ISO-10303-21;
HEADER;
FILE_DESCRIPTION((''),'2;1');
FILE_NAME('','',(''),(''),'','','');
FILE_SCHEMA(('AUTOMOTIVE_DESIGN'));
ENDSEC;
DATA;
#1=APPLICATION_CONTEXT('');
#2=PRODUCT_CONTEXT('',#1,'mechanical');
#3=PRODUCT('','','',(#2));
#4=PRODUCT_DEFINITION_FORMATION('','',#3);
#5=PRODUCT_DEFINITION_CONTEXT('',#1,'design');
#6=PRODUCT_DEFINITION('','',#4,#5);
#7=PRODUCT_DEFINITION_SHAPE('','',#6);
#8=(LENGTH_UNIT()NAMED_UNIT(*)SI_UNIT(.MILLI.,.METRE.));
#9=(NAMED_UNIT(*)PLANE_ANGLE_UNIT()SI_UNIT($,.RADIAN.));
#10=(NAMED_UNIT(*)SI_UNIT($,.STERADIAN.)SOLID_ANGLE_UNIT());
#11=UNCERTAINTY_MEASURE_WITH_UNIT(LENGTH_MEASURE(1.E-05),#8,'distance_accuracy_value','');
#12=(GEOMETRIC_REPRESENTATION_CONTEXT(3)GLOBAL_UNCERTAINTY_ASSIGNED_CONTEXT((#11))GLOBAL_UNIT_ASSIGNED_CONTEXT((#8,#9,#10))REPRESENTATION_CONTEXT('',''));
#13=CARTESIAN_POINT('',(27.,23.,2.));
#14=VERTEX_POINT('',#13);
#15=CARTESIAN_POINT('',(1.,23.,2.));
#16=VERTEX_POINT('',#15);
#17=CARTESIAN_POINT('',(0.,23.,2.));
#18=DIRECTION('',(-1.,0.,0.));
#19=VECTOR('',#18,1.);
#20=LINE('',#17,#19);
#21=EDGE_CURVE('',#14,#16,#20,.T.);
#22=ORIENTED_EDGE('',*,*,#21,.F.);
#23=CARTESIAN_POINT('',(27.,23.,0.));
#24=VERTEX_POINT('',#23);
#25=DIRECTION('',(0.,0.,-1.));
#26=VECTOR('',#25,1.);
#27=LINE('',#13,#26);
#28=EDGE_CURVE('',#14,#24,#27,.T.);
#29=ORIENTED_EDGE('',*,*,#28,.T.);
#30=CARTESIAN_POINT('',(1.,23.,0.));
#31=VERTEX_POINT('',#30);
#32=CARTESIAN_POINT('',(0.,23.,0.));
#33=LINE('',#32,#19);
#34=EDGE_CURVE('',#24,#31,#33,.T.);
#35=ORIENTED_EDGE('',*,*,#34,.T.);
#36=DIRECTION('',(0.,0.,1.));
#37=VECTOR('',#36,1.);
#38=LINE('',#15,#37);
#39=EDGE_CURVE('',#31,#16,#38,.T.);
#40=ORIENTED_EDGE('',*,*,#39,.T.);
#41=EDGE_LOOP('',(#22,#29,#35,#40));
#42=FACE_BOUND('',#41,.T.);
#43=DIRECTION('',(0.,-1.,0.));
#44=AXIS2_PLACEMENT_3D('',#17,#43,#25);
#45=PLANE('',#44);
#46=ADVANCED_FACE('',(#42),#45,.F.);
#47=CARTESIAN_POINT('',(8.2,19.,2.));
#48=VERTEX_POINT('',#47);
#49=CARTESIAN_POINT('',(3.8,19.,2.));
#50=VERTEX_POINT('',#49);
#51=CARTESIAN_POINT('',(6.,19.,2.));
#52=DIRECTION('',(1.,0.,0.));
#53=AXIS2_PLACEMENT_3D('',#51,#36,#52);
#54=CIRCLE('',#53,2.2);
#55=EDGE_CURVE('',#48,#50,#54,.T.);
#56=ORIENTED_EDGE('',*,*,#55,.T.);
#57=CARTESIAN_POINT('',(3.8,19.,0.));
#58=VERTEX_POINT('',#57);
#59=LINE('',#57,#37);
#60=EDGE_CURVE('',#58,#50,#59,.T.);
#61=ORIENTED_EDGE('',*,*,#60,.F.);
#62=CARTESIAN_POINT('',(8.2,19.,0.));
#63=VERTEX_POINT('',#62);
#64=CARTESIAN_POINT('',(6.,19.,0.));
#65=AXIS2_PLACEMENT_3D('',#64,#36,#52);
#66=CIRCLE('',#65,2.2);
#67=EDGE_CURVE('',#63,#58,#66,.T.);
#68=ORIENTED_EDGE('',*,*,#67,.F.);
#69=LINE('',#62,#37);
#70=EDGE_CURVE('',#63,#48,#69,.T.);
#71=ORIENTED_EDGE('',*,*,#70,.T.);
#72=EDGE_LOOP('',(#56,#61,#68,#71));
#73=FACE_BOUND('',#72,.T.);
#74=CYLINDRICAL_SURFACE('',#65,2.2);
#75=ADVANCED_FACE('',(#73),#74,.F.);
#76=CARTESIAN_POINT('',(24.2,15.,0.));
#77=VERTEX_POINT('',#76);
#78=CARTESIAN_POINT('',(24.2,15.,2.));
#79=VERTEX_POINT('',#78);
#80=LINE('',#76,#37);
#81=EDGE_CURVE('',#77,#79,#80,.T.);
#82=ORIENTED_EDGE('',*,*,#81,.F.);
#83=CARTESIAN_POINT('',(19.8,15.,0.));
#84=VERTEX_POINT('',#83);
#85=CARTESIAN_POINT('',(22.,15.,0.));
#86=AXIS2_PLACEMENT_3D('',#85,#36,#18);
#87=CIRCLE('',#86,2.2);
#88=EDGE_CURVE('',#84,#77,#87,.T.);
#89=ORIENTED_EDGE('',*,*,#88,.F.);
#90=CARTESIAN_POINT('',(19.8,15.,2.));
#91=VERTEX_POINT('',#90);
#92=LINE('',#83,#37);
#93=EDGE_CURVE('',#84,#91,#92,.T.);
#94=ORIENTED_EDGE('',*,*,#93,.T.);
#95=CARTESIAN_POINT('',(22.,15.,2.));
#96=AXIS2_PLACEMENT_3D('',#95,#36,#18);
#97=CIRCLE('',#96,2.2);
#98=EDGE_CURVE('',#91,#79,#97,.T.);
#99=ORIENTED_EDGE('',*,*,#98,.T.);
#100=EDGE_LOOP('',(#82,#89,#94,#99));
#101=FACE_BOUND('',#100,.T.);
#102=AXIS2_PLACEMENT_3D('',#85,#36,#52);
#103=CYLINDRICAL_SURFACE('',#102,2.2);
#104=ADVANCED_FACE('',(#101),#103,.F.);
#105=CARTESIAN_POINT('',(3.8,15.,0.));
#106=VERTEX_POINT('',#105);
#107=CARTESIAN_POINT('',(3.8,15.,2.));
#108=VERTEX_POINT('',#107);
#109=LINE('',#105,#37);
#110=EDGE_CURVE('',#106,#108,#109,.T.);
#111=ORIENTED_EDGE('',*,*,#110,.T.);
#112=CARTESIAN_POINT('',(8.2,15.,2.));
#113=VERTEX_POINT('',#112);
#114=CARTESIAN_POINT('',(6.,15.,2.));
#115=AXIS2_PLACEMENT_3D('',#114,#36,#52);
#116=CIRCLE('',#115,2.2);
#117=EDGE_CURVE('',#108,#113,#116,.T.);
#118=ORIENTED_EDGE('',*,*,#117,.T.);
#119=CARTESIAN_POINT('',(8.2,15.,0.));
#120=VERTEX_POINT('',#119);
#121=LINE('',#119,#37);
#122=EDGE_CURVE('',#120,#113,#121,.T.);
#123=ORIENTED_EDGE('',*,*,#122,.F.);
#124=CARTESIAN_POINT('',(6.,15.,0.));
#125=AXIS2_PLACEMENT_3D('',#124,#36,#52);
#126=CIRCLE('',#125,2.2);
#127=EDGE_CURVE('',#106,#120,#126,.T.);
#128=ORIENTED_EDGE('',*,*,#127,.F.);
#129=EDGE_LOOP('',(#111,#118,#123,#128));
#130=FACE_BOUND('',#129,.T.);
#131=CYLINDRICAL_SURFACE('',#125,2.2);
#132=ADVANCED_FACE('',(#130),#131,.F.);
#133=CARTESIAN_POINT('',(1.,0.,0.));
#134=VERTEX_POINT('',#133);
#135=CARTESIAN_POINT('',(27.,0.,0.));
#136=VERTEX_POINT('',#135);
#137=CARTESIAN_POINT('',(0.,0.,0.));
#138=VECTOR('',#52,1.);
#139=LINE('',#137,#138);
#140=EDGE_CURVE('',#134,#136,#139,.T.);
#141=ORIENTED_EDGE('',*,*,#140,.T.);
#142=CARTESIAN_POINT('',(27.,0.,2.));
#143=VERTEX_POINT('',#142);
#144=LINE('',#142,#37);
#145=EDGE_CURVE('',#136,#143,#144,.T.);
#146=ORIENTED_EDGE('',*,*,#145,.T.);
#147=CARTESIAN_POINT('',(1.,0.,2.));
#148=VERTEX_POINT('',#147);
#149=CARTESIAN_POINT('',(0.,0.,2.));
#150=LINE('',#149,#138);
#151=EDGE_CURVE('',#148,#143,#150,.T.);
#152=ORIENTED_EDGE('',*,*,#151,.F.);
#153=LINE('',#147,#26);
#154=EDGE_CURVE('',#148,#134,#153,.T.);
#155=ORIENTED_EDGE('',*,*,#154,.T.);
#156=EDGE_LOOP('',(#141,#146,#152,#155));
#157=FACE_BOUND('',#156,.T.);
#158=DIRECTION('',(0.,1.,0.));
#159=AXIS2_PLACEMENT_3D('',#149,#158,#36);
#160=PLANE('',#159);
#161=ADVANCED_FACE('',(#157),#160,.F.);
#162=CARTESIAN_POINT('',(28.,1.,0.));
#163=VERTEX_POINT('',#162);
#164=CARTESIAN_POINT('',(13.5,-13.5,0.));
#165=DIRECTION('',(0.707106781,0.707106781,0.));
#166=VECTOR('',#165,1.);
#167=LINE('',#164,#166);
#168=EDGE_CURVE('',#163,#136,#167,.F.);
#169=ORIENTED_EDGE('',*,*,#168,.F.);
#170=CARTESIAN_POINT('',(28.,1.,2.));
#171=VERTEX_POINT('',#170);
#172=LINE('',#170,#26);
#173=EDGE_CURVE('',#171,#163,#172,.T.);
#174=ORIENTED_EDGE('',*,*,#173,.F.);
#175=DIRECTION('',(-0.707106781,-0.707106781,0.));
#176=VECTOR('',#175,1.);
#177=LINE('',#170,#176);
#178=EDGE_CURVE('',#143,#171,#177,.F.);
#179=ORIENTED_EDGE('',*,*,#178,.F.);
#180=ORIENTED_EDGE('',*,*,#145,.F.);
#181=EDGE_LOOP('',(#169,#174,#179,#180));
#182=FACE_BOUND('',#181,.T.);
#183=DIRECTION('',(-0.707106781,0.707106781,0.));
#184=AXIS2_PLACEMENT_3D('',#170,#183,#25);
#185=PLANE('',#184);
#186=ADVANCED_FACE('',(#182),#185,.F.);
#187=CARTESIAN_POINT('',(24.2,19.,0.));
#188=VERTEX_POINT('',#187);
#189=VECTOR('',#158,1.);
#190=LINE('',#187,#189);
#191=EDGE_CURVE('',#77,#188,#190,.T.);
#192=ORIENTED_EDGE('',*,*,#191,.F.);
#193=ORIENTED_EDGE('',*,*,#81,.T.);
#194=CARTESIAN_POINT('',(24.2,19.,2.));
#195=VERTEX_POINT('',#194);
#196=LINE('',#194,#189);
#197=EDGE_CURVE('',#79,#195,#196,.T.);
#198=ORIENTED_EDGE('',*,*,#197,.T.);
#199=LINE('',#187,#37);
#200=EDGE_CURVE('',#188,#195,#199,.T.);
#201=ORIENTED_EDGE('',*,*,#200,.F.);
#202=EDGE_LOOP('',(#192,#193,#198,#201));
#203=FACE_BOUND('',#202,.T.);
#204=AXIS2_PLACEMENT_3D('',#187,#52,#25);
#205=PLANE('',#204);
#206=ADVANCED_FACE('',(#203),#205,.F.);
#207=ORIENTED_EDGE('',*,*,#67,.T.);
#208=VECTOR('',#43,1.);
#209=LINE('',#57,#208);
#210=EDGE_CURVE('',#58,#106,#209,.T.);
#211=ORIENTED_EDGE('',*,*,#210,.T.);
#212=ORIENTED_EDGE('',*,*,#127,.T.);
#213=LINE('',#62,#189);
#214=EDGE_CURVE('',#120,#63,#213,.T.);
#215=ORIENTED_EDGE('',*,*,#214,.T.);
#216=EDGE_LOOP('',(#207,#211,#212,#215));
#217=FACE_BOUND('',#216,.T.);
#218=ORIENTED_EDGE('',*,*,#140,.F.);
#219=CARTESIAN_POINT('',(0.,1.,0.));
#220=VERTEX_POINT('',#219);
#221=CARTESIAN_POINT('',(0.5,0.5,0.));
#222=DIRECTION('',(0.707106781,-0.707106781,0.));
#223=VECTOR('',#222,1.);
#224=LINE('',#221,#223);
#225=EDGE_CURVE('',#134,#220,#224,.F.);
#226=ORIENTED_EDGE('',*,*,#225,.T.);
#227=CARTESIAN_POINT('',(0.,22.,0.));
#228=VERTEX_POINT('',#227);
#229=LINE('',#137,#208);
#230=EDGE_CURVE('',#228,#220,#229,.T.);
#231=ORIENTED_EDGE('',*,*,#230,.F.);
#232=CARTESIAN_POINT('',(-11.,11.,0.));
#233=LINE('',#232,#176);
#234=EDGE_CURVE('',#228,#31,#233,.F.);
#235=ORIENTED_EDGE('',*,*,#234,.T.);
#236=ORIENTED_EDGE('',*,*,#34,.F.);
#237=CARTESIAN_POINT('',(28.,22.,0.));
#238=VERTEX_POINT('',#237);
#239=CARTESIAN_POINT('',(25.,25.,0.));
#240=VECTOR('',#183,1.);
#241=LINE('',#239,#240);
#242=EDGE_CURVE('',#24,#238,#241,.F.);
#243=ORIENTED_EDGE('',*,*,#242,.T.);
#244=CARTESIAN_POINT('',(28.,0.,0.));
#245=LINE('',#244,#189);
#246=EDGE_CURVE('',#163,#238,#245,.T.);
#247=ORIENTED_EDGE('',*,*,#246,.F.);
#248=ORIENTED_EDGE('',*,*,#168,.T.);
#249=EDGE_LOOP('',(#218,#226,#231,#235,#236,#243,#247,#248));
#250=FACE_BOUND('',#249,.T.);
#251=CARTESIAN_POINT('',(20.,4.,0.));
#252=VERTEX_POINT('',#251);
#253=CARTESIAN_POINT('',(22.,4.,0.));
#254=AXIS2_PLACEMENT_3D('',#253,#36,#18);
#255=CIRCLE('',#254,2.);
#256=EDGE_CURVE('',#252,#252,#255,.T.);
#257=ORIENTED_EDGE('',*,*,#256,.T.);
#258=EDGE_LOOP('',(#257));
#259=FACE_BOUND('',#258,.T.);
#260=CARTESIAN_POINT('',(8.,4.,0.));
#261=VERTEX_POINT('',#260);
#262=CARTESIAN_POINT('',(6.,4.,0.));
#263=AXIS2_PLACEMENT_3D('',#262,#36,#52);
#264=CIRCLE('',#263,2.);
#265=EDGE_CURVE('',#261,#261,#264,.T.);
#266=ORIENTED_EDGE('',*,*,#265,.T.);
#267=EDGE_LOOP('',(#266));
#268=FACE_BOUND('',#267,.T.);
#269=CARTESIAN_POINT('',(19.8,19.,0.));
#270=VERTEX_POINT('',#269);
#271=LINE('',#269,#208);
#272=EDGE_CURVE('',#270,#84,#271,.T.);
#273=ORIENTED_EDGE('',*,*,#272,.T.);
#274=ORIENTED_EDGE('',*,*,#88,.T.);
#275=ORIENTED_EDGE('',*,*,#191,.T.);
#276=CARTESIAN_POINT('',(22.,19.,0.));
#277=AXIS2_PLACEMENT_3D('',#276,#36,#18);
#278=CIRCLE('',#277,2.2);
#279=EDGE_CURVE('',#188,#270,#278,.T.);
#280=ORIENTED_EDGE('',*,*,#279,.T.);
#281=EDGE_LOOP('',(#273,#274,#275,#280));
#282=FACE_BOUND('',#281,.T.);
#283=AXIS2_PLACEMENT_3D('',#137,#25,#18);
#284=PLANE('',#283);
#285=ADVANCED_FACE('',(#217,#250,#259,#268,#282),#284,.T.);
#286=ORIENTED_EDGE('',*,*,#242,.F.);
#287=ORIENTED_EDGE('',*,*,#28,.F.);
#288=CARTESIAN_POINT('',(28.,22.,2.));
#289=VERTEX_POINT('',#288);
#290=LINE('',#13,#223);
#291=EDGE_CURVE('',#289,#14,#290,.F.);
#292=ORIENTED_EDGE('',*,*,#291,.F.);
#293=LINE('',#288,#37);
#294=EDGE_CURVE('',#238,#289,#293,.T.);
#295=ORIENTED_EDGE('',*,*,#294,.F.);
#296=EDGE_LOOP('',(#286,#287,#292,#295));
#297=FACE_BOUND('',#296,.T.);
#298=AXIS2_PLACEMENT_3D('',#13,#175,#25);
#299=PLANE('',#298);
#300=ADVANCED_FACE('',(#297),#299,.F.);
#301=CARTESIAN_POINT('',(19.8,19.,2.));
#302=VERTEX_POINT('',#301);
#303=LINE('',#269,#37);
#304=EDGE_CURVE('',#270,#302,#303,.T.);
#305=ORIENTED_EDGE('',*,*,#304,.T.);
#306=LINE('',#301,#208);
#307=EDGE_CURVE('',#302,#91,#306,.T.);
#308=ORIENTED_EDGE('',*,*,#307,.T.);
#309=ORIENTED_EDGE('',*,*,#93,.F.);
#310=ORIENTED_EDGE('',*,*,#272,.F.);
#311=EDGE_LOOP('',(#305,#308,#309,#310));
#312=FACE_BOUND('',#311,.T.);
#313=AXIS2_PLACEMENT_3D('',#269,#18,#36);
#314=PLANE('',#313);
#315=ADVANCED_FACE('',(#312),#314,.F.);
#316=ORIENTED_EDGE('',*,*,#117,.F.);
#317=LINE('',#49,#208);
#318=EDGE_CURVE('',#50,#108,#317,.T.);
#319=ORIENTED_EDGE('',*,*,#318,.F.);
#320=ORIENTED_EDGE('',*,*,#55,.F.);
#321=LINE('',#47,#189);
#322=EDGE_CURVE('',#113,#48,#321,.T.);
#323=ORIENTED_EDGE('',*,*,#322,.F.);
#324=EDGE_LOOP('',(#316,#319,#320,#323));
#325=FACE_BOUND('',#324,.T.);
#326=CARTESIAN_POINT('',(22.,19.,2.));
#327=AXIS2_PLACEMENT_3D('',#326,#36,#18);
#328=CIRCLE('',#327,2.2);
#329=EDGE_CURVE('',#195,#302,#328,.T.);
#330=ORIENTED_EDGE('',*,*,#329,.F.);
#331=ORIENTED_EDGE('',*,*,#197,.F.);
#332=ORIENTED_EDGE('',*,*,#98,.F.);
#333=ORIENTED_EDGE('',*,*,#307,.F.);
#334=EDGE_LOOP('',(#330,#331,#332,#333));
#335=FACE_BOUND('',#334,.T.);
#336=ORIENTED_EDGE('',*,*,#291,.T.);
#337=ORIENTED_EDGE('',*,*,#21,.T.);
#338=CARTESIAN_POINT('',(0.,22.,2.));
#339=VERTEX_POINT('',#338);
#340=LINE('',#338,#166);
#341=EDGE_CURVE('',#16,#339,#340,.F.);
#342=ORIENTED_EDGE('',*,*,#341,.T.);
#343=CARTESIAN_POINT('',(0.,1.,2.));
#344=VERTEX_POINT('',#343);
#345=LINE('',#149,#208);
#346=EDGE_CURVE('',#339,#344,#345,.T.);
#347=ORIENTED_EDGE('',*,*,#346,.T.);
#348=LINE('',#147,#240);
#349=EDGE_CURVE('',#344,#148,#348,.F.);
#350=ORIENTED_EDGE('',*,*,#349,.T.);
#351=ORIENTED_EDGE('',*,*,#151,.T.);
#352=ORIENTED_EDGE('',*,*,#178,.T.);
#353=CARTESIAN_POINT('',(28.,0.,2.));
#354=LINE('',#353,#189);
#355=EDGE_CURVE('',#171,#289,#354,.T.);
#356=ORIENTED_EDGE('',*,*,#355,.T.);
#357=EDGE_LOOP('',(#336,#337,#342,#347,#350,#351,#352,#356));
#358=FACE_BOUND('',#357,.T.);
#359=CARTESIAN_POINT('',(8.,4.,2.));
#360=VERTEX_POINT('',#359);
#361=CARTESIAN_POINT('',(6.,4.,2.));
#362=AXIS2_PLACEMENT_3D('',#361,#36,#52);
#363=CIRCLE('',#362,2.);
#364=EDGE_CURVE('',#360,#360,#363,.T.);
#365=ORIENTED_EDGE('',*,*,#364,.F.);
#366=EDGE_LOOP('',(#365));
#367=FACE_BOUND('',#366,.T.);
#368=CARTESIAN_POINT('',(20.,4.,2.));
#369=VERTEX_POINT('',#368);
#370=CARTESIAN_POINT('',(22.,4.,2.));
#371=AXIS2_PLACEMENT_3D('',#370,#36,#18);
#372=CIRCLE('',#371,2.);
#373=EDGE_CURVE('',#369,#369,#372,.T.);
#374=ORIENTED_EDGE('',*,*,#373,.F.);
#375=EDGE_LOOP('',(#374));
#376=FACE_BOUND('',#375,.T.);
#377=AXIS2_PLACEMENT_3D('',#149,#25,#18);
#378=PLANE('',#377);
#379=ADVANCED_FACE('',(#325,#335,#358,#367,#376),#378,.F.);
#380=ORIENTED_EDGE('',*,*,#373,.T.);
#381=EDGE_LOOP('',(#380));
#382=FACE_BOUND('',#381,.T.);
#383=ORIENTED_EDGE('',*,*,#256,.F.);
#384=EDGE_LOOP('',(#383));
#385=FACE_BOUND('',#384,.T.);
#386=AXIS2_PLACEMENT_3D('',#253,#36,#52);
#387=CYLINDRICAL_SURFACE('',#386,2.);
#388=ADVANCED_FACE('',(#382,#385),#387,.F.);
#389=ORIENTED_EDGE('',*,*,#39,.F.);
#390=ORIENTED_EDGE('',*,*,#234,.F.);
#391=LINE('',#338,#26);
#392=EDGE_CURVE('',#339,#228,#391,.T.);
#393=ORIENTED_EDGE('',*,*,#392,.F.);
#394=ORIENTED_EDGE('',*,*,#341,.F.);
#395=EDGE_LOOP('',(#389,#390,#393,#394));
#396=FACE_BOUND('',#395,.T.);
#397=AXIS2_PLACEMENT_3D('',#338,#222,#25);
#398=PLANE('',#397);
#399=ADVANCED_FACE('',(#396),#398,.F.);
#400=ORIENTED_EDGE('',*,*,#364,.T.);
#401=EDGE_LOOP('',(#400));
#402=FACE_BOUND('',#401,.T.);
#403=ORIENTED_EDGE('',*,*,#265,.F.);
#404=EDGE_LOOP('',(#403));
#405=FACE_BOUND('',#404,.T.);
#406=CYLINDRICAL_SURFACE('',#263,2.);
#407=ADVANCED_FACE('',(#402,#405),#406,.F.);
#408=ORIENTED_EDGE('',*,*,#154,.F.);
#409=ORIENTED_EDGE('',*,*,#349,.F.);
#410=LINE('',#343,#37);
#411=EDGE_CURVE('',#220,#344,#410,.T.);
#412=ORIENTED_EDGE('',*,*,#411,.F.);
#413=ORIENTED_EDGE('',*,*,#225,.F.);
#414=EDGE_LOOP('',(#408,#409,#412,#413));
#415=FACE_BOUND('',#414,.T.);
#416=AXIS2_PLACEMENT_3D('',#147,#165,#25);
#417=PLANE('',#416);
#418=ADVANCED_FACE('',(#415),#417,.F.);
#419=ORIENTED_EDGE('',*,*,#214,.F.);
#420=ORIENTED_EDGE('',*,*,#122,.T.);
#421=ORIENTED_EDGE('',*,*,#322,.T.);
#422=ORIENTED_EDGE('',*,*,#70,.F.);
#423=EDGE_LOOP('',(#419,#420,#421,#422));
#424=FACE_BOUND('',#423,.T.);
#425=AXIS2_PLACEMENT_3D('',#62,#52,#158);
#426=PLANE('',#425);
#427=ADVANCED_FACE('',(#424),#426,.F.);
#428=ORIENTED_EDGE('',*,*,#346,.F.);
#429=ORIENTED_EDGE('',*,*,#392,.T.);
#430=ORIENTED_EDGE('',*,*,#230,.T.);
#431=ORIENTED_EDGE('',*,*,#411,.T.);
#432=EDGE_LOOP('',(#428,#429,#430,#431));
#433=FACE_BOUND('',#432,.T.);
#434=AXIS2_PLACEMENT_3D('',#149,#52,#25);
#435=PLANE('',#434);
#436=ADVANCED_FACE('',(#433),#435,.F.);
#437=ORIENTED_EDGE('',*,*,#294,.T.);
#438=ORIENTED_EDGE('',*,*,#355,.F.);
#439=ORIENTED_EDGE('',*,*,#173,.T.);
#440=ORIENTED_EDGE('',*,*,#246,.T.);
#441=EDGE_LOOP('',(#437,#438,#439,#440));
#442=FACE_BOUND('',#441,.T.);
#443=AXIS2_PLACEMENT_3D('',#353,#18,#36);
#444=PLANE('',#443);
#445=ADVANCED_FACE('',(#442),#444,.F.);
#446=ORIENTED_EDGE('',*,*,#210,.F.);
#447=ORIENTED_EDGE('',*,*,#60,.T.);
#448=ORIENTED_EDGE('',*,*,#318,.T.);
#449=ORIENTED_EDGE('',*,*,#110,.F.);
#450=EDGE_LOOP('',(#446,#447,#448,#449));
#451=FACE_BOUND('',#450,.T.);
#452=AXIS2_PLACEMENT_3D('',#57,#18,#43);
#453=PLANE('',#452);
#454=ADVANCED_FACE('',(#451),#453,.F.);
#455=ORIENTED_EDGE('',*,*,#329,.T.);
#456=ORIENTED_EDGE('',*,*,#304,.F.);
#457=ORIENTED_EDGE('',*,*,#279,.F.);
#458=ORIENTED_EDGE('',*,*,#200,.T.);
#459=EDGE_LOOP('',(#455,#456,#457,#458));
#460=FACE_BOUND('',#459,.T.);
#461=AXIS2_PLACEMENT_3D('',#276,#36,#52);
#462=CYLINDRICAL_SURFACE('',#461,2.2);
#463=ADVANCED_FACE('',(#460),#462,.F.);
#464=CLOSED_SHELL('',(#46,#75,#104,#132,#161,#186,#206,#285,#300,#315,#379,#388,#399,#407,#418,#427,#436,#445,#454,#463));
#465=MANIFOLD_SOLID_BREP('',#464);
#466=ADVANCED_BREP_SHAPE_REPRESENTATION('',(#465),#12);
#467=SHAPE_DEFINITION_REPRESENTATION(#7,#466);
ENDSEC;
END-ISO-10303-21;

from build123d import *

# Parameters (mm, degrees)
ESQUISSE1_W             = 28
ESQUISSE1_H             = 23
BOSS_EXTRU_1_DEPTH      = 2
ESQUISSE2_R             = 2
ENL_V_MAT_EXTRU_1_DEPTH = 37.290494623
CHANFREIN1_SIZE         = 1


with BuildPart() as part:
    # Esquisse1 → Boss.-Extru.1 (new body)
    with BuildSketch(Plane.XY):
        with Locations((14, 11.5)):
            Rectangle(ESQUISSE1_W, ESQUISSE1_H)
    extrude(amount=BOSS_EXTRU_1_DEPTH)

    # Esquisse2 → Enlèv. mat.-Extru.1 (cut, through all)
    with BuildSketch(Plane.XY.offset(2)):
        with Locations((6, 4)):
            Circle(ESQUISSE2_R)
        with Locations(Location((22, 4, 0), (0, 0, 180))):
            Circle(ESQUISSE2_R)
        with BuildLine():
            Line((8.2, 19), (8.2, 15))
            ThreePointArc((8.2, 15), (6, 12.8), (3.8, 15))
            Line((3.8, 15), (3.8, 19))
            ThreePointArc((3.8, 19), (6, 21.2), (8.2, 19))
        make_face()
        with BuildLine():
            Line((19.8, 19), (19.8, 15))
            ThreePointArc((19.8, 15), (22, 12.8), (24.2, 15))
            Line((24.2, 15), (24.2, 19))
            ThreePointArc((24.2, 19), (22, 21.2), (19.8, 19))
        make_face()
    extrude(amount=-ENL_V_MAT_EXTRU_1_DEPTH, mode=Mode.SUBTRACT)

    # Chanfrein1
    chanfrein1_edges = [part.edges().sort_by_distance(p)[0] for p in [
        (0, 23, 1),
        (28, 23, 1),
        (28, 0, 1),
        (0, 0, 1),
    ]]
    chamfer(chanfrein1_edges, length=CHANFREIN1_SIZE)


solid = part.part
